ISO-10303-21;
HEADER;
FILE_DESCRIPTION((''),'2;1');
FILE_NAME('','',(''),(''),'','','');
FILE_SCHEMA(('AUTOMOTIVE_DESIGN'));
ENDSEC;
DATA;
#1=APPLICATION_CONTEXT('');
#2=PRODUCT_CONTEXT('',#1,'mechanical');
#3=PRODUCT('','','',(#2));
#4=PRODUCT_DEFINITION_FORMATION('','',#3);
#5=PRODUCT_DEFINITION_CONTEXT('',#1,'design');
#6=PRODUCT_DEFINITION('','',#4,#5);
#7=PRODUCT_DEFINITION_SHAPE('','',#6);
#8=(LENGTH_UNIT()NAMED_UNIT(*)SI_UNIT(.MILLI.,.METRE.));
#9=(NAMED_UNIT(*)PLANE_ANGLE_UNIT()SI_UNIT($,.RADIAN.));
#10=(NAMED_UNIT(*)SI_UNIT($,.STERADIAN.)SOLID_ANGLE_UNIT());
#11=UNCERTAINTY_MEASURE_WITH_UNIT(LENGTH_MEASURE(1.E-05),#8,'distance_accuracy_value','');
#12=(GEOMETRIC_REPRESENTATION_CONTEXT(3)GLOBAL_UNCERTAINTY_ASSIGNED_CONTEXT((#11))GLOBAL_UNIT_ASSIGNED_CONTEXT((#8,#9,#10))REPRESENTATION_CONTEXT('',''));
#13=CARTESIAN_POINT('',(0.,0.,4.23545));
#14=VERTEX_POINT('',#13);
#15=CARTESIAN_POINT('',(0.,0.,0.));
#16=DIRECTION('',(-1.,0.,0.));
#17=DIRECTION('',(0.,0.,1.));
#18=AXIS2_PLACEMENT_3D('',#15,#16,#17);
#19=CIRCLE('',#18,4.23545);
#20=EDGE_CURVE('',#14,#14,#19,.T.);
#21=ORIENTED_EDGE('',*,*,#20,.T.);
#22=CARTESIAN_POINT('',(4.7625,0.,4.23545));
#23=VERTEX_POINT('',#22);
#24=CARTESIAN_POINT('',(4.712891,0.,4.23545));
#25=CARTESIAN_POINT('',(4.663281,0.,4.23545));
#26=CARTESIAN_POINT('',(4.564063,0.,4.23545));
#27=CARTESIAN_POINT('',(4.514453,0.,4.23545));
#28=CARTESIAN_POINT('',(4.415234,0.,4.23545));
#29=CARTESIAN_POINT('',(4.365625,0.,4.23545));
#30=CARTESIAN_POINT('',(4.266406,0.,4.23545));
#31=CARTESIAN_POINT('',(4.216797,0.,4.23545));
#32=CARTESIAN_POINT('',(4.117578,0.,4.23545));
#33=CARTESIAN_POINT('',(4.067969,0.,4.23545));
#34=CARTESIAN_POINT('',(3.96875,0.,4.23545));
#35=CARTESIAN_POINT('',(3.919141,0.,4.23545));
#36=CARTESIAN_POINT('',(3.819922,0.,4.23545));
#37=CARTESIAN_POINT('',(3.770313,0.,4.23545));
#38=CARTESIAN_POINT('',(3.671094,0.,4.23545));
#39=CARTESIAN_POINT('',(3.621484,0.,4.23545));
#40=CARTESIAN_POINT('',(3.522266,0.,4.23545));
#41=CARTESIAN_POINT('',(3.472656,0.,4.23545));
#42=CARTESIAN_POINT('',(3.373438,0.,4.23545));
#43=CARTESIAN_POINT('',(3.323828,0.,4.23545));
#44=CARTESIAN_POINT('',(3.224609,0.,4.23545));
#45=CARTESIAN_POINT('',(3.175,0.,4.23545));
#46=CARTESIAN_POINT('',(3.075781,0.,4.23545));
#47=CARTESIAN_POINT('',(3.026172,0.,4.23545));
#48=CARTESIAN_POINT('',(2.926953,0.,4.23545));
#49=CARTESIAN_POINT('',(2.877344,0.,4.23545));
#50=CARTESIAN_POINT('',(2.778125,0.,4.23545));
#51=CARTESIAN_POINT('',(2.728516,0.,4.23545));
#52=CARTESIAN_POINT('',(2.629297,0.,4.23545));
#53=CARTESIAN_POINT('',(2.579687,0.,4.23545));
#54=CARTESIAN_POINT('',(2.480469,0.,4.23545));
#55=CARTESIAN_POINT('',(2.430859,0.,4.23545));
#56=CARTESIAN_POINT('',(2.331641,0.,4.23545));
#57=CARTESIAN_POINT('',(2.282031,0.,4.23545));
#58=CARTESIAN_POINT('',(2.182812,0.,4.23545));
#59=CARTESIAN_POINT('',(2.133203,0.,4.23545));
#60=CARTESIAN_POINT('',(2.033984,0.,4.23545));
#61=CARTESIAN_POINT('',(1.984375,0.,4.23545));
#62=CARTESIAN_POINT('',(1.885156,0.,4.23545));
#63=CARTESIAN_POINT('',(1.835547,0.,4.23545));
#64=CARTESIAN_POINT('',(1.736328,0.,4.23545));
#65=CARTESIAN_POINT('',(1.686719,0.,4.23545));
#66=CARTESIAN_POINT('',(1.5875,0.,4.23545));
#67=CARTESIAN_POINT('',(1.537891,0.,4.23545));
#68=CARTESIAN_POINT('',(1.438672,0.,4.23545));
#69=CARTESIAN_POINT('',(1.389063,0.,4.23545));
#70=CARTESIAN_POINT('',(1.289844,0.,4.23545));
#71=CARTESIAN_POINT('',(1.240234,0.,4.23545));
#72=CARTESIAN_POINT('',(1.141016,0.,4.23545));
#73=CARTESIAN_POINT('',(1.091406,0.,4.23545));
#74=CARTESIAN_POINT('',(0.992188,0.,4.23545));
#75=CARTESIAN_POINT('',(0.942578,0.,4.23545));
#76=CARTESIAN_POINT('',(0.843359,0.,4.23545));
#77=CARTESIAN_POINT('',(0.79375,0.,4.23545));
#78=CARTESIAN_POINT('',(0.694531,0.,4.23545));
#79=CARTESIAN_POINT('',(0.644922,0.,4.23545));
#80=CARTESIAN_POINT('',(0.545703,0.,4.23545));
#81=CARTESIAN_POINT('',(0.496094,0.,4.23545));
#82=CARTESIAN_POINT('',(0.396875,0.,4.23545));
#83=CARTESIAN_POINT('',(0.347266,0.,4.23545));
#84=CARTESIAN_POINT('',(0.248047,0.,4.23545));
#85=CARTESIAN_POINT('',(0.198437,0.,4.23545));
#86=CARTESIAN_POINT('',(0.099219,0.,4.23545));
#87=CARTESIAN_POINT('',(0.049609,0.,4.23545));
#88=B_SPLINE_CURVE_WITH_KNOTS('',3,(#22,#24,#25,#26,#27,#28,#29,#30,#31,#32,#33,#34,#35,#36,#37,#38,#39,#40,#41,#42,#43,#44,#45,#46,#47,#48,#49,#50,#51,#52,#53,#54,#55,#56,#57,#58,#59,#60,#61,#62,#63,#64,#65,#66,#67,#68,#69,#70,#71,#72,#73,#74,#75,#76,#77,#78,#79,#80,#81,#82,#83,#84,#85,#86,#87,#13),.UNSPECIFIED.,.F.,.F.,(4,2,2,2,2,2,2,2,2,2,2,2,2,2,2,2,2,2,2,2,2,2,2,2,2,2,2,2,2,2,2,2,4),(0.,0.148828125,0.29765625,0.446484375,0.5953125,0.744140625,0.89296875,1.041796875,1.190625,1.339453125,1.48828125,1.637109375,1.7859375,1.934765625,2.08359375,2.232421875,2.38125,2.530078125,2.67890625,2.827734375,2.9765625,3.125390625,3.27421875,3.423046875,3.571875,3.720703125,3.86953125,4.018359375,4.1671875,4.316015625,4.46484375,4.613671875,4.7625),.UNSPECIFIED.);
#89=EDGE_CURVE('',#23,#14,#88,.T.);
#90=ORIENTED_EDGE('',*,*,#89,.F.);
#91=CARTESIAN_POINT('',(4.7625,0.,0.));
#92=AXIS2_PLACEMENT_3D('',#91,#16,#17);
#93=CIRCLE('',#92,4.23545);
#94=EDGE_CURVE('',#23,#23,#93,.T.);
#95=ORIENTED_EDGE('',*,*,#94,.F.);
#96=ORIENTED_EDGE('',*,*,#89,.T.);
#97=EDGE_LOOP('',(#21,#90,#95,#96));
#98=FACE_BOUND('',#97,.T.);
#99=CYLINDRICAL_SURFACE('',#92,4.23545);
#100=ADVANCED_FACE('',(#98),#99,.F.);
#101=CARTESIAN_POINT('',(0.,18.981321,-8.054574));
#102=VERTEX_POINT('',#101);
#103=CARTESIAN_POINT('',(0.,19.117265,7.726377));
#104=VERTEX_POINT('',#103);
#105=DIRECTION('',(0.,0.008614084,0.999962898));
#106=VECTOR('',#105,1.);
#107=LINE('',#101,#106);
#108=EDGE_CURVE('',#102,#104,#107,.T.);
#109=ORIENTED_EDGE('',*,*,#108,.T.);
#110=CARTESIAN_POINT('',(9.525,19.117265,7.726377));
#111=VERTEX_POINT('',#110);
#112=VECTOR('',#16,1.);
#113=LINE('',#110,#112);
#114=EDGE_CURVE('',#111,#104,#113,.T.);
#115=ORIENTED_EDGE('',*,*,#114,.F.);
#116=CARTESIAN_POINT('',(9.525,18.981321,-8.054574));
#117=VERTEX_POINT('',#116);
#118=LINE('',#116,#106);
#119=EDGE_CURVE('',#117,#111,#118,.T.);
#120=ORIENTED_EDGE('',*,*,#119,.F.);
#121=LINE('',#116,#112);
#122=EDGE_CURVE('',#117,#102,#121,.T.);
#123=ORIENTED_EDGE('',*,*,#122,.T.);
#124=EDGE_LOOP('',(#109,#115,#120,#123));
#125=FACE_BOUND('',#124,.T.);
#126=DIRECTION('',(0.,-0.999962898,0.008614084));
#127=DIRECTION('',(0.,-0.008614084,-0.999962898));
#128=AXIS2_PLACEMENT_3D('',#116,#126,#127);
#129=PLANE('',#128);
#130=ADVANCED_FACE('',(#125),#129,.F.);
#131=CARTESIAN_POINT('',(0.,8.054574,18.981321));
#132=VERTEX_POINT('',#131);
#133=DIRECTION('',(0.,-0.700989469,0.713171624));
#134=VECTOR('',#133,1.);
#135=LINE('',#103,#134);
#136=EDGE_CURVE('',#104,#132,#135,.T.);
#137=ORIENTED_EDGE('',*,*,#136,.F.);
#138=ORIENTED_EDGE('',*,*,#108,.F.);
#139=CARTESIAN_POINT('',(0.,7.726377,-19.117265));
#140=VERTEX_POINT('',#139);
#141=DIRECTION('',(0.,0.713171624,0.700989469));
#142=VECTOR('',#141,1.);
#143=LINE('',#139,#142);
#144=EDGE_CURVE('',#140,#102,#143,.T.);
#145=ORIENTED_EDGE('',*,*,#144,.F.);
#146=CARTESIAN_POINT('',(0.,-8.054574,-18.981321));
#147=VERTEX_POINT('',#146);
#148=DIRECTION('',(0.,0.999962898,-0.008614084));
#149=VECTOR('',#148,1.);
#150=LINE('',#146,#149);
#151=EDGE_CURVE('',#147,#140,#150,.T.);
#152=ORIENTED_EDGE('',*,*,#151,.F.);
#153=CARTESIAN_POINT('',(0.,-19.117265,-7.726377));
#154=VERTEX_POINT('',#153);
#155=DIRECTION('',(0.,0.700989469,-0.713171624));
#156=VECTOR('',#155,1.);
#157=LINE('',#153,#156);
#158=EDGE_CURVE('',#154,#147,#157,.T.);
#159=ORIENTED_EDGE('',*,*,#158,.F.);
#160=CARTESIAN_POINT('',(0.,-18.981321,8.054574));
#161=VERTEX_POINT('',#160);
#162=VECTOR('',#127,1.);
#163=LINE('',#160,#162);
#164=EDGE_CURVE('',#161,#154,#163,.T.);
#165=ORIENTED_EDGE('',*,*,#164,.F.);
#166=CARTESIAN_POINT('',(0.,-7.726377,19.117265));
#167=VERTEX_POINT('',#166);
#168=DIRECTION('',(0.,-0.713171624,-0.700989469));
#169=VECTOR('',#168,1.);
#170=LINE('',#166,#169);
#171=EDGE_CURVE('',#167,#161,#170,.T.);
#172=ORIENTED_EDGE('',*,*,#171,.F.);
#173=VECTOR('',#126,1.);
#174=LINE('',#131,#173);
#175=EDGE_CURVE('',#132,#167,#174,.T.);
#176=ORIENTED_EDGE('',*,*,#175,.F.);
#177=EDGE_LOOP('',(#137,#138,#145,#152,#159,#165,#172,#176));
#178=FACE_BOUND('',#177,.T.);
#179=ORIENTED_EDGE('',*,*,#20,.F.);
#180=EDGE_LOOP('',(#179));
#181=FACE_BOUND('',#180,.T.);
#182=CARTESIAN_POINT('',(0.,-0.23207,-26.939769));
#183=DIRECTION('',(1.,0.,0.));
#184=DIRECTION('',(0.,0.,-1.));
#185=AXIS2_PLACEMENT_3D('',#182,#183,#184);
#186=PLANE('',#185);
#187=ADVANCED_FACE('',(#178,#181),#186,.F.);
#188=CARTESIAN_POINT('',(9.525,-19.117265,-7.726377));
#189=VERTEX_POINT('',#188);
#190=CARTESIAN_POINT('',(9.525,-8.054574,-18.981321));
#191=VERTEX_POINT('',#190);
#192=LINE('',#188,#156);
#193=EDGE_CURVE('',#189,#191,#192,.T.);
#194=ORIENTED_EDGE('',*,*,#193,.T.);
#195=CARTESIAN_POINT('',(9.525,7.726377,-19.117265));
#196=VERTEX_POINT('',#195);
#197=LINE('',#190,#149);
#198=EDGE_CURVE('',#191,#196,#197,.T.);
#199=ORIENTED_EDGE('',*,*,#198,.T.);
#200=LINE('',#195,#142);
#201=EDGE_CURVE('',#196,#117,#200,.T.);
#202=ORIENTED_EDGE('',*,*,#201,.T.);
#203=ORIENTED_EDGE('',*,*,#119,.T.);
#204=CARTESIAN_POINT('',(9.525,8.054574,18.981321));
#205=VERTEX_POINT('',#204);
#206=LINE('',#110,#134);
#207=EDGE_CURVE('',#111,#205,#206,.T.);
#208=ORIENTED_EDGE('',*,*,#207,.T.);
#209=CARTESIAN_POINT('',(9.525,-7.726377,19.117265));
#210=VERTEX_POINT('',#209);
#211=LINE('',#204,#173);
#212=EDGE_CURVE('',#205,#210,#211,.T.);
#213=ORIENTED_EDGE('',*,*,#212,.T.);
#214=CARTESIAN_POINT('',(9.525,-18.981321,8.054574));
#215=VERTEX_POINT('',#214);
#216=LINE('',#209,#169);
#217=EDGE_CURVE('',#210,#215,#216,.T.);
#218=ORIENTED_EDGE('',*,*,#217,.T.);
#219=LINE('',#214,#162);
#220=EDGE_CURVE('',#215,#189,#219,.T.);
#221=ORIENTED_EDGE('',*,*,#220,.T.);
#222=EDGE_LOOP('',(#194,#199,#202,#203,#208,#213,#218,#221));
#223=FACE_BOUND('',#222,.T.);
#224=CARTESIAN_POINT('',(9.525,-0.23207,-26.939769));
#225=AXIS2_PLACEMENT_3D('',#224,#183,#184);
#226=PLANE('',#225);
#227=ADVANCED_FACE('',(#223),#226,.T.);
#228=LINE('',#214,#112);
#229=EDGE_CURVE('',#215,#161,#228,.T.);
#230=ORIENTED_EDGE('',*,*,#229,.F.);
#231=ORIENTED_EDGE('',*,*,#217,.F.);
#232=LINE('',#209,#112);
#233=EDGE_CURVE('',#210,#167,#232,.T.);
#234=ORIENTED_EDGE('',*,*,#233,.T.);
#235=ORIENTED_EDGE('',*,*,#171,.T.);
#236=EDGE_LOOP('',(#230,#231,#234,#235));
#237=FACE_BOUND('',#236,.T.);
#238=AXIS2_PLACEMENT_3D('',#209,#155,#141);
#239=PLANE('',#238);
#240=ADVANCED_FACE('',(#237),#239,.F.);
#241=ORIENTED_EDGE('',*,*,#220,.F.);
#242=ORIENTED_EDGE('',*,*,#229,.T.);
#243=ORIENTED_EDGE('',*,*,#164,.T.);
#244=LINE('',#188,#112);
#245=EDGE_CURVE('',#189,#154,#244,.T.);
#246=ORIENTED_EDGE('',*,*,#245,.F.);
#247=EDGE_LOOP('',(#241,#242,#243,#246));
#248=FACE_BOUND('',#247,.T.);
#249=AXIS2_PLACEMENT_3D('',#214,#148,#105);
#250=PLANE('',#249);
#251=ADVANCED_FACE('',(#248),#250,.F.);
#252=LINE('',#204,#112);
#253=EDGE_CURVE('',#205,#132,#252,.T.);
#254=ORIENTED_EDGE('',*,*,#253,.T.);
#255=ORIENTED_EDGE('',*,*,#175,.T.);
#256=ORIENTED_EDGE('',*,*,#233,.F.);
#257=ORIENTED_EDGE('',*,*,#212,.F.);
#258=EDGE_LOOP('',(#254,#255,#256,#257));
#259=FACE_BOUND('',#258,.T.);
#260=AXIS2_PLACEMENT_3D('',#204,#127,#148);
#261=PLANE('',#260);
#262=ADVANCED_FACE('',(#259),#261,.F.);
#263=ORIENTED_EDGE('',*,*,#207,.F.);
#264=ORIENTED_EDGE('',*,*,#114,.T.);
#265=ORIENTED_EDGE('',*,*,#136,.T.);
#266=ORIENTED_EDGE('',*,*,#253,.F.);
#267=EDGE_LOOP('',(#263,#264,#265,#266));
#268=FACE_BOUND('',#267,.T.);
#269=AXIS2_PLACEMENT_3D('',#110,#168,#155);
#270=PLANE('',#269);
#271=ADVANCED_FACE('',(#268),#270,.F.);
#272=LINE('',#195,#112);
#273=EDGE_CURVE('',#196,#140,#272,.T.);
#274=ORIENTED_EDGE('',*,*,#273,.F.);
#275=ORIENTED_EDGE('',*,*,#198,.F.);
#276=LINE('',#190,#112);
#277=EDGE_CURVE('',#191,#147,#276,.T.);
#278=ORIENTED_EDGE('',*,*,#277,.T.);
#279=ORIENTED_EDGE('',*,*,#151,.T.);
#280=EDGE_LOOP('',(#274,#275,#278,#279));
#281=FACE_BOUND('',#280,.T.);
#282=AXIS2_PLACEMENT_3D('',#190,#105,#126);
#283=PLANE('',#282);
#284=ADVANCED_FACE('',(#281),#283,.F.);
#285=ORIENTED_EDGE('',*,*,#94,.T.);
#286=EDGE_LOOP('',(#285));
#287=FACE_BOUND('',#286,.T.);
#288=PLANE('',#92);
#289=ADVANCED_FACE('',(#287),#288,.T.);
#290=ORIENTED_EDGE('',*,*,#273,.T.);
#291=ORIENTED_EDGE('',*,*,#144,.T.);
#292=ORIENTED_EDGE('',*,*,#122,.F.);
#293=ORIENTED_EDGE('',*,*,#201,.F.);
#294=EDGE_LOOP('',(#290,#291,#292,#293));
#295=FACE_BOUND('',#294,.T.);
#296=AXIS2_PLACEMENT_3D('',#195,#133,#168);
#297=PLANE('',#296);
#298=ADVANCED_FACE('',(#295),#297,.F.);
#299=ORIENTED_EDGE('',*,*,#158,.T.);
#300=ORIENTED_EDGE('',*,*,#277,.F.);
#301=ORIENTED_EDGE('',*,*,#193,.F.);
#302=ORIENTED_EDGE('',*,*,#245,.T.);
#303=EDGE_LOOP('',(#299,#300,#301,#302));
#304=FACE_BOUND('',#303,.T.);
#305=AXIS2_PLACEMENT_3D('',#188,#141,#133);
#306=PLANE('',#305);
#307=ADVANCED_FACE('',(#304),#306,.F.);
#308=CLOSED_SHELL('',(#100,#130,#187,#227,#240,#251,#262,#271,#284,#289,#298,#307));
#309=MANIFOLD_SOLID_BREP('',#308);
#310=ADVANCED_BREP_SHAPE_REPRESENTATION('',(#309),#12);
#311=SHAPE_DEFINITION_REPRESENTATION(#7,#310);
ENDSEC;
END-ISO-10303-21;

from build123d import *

# Parameters (mm, degrees)
BOSS_EXTRUDE1_DEPTH = 9.525
SKETCH2_R           = 4.23545
CUT_EXTRUDE1_DEPTH  = 4.7625


with BuildPart() as part:
    # Sketch1 → Boss-Extrude1 (new body)
    with BuildSketch(Plane(origin=(0, 0, 0), x_dir=(0, 0, -1), z_dir=(1, 0, 0))):
        Polygon((18.981321463, -8.05457391), (19.117264954, 7.726377291), (8.05457391, 18.981321463), (-7.726377291, 19.117264954), (-18.981321463, 8.05457391), (-19.117264954, -7.726377291), (-8.05457391, -18.981321463), (7.726377291, -19.117264954), align=None)
    extrude(amount=BOSS_EXTRUDE1_DEPTH)

    # Sketch2 → Cut-Extrude1 (cut)
    with BuildSketch(Plane.ZY):
        Circle(SKETCH2_R)
    extrude(amount=-CUT_EXTRUDE1_DEPTH, mode=Mode.SUBTRACT)


solid = part.part
